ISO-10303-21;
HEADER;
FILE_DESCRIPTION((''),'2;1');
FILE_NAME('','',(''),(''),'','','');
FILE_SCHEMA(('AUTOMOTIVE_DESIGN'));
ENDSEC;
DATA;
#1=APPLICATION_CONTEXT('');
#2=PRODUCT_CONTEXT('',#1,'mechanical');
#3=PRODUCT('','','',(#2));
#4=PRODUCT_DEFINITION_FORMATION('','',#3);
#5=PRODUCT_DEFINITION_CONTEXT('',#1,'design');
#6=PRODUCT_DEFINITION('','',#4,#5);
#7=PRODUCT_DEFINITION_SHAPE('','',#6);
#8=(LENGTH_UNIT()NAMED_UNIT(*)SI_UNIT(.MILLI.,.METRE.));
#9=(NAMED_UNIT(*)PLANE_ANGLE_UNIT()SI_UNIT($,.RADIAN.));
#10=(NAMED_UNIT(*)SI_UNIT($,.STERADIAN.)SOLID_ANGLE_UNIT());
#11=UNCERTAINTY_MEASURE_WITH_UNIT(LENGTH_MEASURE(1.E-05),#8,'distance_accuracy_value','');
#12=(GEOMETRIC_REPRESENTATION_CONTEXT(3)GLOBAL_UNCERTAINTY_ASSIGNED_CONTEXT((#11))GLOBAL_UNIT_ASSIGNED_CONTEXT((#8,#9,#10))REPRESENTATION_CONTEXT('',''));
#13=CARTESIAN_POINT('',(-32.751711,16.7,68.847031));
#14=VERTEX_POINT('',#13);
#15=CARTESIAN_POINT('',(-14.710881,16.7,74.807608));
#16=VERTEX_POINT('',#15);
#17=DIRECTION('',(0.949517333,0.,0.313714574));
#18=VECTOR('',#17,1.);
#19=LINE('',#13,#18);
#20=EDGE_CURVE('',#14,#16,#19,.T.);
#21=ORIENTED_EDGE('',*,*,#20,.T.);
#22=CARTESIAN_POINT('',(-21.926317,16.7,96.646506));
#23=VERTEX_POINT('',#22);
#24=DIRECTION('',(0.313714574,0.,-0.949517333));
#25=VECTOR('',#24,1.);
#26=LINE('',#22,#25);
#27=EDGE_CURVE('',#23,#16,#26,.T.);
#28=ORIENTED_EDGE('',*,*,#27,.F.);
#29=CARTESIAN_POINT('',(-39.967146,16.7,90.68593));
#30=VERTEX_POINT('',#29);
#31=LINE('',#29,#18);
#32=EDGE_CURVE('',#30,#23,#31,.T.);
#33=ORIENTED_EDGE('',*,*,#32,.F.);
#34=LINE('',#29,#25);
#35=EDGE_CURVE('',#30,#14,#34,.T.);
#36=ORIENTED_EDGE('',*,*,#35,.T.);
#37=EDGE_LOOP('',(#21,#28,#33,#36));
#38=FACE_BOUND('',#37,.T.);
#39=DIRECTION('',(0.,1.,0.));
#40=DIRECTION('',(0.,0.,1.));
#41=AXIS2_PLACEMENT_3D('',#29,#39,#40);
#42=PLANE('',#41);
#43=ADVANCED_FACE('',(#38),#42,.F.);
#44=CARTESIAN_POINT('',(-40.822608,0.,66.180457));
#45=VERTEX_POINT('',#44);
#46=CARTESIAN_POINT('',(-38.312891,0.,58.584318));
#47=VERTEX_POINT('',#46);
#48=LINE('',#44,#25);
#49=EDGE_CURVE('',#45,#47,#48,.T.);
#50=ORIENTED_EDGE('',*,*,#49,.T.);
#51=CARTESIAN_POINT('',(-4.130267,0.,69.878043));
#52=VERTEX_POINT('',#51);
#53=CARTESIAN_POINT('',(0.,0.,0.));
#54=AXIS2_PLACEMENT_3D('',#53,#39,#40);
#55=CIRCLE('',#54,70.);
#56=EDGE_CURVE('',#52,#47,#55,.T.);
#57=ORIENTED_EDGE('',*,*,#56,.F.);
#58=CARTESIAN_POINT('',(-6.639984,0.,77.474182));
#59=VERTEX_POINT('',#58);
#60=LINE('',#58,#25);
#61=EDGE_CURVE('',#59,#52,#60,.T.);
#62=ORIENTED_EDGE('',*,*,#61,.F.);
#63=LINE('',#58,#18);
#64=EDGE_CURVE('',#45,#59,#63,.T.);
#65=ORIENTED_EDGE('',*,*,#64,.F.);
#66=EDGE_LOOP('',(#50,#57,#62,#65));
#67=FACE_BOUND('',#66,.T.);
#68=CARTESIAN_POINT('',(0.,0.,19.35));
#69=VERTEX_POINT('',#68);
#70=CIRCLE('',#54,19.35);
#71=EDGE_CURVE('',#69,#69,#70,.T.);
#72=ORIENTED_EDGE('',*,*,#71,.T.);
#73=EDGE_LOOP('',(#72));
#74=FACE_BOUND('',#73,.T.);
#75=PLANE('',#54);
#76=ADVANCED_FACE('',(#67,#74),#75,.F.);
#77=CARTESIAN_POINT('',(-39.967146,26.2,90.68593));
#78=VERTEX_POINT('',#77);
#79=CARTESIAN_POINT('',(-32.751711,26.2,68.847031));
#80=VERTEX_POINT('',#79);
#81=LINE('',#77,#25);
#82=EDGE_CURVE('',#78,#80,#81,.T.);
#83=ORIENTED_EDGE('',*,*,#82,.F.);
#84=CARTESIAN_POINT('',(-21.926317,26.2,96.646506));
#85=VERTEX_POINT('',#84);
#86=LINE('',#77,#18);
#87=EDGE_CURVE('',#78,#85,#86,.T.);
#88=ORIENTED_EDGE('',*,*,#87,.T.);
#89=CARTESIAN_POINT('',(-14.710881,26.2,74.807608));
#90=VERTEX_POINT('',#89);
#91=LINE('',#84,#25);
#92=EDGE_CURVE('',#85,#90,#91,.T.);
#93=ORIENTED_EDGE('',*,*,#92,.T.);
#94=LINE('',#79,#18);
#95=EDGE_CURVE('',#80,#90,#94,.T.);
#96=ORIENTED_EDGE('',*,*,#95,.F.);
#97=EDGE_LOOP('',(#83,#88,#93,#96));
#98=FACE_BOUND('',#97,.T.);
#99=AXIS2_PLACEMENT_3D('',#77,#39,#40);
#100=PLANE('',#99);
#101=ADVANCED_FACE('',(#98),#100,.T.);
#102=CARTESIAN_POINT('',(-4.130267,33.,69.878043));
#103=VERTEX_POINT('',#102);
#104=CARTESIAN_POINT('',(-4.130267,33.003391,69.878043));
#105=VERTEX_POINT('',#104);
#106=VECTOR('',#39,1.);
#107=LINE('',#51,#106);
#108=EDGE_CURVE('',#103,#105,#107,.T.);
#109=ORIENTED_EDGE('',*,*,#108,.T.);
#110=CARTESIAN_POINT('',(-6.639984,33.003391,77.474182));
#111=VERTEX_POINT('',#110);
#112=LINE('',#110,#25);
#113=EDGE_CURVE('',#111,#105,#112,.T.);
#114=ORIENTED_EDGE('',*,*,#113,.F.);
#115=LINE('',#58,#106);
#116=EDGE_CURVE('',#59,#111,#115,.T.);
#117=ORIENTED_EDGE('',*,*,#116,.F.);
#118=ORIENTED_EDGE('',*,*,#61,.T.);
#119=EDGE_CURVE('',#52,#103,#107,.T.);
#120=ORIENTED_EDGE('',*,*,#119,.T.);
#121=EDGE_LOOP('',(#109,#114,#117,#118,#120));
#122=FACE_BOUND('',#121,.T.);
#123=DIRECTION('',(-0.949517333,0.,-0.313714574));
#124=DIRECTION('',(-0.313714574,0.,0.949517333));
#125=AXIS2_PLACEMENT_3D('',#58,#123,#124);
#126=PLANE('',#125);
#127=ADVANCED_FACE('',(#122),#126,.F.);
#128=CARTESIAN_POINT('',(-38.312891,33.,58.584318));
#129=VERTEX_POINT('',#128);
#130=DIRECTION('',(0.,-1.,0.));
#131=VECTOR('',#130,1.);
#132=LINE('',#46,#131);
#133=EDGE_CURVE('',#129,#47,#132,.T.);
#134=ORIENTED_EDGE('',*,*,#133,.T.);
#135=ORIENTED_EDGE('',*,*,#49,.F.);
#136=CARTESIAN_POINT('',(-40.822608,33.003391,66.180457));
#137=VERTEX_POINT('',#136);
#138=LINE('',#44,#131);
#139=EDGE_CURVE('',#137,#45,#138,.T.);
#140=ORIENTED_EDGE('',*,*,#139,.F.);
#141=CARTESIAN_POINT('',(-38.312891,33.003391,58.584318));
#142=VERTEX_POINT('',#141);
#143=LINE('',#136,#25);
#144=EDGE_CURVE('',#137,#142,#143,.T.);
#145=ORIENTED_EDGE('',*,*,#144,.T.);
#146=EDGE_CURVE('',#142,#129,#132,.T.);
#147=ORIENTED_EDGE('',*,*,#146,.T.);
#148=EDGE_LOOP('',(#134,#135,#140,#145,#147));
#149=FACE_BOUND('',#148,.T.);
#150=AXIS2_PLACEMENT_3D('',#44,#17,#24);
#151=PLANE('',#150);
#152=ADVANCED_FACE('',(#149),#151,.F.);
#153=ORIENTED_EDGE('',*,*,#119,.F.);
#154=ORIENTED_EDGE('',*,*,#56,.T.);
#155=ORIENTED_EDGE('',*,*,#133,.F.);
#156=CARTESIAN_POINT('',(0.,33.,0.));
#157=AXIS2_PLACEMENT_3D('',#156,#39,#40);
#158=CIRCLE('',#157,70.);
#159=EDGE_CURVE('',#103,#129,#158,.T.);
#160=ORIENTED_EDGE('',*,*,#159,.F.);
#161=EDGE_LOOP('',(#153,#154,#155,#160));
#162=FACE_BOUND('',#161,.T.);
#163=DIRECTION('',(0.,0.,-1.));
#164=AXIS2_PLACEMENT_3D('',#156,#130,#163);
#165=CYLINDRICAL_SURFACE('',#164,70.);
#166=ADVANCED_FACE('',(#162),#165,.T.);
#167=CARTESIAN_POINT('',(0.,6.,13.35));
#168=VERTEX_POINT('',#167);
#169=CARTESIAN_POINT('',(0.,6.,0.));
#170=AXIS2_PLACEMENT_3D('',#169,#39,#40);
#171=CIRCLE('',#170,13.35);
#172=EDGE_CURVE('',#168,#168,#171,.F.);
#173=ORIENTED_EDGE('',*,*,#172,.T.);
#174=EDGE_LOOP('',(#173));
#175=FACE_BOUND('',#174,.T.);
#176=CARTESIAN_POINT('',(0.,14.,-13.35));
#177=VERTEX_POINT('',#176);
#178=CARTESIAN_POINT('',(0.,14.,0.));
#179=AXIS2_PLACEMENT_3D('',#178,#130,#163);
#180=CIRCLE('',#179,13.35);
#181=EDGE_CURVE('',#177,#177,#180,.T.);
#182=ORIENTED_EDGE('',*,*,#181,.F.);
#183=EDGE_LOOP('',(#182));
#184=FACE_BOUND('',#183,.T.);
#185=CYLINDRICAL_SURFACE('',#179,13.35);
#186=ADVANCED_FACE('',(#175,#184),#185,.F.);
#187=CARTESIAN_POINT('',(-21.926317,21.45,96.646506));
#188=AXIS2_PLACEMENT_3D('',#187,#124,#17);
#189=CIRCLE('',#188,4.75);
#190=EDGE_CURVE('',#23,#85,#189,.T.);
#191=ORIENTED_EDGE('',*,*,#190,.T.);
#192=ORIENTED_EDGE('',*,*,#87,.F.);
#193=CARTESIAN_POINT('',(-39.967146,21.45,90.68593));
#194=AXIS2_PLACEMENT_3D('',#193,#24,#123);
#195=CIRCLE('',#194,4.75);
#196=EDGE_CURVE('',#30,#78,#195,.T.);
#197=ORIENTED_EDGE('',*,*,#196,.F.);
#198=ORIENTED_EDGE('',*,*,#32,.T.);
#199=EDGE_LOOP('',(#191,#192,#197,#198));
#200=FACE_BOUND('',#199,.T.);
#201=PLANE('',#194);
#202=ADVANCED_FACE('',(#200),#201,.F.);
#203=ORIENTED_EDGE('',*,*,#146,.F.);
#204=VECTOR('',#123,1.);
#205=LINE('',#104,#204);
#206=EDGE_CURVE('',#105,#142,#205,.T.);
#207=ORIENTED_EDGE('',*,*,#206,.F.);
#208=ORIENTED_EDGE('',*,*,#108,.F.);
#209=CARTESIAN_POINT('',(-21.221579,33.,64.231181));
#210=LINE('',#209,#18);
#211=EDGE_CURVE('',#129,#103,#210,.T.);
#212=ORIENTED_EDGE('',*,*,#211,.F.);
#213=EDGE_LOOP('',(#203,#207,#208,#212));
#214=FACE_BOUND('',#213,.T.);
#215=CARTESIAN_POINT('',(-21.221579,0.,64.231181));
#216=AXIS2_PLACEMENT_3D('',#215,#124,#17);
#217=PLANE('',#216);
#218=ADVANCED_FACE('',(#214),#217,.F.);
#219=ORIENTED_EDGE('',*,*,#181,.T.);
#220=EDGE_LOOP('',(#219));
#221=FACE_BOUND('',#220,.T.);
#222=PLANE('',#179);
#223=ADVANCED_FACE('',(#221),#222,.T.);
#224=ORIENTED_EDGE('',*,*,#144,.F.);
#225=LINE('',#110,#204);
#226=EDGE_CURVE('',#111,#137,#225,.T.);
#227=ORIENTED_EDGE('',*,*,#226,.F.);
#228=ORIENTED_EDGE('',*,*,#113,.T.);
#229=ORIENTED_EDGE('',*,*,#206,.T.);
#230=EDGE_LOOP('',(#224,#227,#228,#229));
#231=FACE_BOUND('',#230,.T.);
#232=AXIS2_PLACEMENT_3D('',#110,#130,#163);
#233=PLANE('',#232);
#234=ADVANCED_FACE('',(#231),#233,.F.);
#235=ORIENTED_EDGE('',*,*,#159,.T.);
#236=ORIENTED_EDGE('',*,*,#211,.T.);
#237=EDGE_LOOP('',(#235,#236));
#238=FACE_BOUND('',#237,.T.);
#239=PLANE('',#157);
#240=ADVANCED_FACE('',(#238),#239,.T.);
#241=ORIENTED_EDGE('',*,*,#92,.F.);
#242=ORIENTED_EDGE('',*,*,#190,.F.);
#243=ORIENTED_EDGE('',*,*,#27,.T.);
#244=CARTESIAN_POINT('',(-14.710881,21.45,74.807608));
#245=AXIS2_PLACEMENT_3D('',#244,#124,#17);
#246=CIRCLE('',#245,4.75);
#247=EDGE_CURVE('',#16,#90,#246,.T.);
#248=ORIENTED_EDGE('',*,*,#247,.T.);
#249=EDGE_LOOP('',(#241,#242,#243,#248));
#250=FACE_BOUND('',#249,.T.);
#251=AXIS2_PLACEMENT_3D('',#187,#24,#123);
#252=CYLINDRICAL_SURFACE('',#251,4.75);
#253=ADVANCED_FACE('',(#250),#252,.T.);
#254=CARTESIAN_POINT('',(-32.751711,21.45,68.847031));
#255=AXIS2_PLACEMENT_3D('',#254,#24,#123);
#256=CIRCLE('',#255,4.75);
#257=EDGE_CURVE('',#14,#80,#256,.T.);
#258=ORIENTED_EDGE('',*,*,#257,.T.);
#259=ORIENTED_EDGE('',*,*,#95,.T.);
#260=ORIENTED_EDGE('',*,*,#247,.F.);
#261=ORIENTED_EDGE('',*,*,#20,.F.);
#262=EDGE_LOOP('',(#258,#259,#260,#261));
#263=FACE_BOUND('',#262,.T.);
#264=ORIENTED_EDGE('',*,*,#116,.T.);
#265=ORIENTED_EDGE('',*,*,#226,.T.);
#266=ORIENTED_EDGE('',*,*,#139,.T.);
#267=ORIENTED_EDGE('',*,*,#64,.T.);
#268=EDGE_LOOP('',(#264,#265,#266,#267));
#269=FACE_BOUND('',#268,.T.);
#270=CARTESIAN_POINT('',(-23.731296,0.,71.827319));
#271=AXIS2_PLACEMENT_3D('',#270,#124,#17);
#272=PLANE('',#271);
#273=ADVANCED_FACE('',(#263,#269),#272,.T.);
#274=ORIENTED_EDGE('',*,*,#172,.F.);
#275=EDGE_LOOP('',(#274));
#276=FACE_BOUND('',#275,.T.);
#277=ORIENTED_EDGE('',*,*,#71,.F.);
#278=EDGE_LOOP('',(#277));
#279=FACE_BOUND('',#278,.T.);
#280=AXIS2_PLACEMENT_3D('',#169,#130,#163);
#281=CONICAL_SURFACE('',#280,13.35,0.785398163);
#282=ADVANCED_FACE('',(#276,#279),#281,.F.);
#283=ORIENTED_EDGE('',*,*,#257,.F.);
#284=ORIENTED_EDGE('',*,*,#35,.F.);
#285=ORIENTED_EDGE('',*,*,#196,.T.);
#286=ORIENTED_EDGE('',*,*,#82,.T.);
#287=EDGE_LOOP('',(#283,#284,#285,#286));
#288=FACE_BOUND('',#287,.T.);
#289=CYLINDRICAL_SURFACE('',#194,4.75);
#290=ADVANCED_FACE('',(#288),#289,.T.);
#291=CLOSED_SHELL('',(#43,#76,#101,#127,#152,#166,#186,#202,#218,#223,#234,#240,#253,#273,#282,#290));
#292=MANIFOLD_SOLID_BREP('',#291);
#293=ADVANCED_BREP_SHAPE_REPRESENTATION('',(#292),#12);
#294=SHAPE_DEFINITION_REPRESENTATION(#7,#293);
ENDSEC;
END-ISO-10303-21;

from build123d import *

# Parameters (mm, degrees)
SKETCH1_R           = 70
BOSS_EXTRUDE1_DEPTH = 33
SKETCH4_W           = 36
SKETCH4_H           = 33.003390547
BOSS_EXTRUDE2_DEPTH = 8
BOSS_EXTRUDE3_DEPTH = 23
SKETCH10_R          = 13.35
CUT_EXTRUDE1_DEPTH  = 14
CHAMFER2_SIZE       = 6


with BuildPart() as part:
    # Sketch1 → Boss-Extrude1 (new body)
    with BuildSketch(Plane(origin=(0, 0, 0), x_dir=(1, 0, 0), z_dir=(0, 1, 0))):
        Circle(SKETCH1_R)
    extrude(amount=BOSS_EXTRUDE1_DEPTH)

    # Sketch4 → Boss-Extrude2 (add)
    with BuildSketch(Plane(origin=(-21.221579415, 0, 64.231180646), x_dir=(0.949517333, 0, 0.313714574), z_dir=(-0.313714574, 0, 0.949517333))):
        with Locations((0, 16.501695274)):
            Rectangle(SKETCH4_W, SKETCH4_H)
    extrude(amount=BOSS_EXTRUDE2_DEPTH)

    # Sketch7 → Boss-Extrude3 (add)
    with BuildSketch(Plane(origin=(-23.731296009, 0, 71.827319311), x_dir=(0.949517333, 0, 0.313714574), z_dir=(-0.313714574, 0, 0.949517333))):
        with BuildLine():
            Line((-9.5, 26.2), (9.5, 26.2))
            ThreePointArc((9.5, 26.2), (14.25, 21.45), (9.5, 16.7))
            Line((9.5, 16.7), (-9.5, 16.7))
            ThreePointArc((-9.5, 16.7), (-14.25, 21.45), (-9.5, 26.2))
        make_face()
    extrude(amount=BOSS_EXTRUDE3_DEPTH)

    # Sketch10 → Cut-Extrude1 (cut)
    with BuildSketch(Plane.XZ):
        Circle(SKETCH10_R)
    extrude(amount=-CUT_EXTRUDE1_DEPTH, mode=Mode.SUBTRACT)

    # Chamfer2
    chamfer2_edges = [part.edges().sort_by_distance(p)[0] for p in [
        (-13.35, 0, 0),
    ]]
    chamfer(chamfer2_edges, length=CHAMFER2_SIZE)


solid = part.part
